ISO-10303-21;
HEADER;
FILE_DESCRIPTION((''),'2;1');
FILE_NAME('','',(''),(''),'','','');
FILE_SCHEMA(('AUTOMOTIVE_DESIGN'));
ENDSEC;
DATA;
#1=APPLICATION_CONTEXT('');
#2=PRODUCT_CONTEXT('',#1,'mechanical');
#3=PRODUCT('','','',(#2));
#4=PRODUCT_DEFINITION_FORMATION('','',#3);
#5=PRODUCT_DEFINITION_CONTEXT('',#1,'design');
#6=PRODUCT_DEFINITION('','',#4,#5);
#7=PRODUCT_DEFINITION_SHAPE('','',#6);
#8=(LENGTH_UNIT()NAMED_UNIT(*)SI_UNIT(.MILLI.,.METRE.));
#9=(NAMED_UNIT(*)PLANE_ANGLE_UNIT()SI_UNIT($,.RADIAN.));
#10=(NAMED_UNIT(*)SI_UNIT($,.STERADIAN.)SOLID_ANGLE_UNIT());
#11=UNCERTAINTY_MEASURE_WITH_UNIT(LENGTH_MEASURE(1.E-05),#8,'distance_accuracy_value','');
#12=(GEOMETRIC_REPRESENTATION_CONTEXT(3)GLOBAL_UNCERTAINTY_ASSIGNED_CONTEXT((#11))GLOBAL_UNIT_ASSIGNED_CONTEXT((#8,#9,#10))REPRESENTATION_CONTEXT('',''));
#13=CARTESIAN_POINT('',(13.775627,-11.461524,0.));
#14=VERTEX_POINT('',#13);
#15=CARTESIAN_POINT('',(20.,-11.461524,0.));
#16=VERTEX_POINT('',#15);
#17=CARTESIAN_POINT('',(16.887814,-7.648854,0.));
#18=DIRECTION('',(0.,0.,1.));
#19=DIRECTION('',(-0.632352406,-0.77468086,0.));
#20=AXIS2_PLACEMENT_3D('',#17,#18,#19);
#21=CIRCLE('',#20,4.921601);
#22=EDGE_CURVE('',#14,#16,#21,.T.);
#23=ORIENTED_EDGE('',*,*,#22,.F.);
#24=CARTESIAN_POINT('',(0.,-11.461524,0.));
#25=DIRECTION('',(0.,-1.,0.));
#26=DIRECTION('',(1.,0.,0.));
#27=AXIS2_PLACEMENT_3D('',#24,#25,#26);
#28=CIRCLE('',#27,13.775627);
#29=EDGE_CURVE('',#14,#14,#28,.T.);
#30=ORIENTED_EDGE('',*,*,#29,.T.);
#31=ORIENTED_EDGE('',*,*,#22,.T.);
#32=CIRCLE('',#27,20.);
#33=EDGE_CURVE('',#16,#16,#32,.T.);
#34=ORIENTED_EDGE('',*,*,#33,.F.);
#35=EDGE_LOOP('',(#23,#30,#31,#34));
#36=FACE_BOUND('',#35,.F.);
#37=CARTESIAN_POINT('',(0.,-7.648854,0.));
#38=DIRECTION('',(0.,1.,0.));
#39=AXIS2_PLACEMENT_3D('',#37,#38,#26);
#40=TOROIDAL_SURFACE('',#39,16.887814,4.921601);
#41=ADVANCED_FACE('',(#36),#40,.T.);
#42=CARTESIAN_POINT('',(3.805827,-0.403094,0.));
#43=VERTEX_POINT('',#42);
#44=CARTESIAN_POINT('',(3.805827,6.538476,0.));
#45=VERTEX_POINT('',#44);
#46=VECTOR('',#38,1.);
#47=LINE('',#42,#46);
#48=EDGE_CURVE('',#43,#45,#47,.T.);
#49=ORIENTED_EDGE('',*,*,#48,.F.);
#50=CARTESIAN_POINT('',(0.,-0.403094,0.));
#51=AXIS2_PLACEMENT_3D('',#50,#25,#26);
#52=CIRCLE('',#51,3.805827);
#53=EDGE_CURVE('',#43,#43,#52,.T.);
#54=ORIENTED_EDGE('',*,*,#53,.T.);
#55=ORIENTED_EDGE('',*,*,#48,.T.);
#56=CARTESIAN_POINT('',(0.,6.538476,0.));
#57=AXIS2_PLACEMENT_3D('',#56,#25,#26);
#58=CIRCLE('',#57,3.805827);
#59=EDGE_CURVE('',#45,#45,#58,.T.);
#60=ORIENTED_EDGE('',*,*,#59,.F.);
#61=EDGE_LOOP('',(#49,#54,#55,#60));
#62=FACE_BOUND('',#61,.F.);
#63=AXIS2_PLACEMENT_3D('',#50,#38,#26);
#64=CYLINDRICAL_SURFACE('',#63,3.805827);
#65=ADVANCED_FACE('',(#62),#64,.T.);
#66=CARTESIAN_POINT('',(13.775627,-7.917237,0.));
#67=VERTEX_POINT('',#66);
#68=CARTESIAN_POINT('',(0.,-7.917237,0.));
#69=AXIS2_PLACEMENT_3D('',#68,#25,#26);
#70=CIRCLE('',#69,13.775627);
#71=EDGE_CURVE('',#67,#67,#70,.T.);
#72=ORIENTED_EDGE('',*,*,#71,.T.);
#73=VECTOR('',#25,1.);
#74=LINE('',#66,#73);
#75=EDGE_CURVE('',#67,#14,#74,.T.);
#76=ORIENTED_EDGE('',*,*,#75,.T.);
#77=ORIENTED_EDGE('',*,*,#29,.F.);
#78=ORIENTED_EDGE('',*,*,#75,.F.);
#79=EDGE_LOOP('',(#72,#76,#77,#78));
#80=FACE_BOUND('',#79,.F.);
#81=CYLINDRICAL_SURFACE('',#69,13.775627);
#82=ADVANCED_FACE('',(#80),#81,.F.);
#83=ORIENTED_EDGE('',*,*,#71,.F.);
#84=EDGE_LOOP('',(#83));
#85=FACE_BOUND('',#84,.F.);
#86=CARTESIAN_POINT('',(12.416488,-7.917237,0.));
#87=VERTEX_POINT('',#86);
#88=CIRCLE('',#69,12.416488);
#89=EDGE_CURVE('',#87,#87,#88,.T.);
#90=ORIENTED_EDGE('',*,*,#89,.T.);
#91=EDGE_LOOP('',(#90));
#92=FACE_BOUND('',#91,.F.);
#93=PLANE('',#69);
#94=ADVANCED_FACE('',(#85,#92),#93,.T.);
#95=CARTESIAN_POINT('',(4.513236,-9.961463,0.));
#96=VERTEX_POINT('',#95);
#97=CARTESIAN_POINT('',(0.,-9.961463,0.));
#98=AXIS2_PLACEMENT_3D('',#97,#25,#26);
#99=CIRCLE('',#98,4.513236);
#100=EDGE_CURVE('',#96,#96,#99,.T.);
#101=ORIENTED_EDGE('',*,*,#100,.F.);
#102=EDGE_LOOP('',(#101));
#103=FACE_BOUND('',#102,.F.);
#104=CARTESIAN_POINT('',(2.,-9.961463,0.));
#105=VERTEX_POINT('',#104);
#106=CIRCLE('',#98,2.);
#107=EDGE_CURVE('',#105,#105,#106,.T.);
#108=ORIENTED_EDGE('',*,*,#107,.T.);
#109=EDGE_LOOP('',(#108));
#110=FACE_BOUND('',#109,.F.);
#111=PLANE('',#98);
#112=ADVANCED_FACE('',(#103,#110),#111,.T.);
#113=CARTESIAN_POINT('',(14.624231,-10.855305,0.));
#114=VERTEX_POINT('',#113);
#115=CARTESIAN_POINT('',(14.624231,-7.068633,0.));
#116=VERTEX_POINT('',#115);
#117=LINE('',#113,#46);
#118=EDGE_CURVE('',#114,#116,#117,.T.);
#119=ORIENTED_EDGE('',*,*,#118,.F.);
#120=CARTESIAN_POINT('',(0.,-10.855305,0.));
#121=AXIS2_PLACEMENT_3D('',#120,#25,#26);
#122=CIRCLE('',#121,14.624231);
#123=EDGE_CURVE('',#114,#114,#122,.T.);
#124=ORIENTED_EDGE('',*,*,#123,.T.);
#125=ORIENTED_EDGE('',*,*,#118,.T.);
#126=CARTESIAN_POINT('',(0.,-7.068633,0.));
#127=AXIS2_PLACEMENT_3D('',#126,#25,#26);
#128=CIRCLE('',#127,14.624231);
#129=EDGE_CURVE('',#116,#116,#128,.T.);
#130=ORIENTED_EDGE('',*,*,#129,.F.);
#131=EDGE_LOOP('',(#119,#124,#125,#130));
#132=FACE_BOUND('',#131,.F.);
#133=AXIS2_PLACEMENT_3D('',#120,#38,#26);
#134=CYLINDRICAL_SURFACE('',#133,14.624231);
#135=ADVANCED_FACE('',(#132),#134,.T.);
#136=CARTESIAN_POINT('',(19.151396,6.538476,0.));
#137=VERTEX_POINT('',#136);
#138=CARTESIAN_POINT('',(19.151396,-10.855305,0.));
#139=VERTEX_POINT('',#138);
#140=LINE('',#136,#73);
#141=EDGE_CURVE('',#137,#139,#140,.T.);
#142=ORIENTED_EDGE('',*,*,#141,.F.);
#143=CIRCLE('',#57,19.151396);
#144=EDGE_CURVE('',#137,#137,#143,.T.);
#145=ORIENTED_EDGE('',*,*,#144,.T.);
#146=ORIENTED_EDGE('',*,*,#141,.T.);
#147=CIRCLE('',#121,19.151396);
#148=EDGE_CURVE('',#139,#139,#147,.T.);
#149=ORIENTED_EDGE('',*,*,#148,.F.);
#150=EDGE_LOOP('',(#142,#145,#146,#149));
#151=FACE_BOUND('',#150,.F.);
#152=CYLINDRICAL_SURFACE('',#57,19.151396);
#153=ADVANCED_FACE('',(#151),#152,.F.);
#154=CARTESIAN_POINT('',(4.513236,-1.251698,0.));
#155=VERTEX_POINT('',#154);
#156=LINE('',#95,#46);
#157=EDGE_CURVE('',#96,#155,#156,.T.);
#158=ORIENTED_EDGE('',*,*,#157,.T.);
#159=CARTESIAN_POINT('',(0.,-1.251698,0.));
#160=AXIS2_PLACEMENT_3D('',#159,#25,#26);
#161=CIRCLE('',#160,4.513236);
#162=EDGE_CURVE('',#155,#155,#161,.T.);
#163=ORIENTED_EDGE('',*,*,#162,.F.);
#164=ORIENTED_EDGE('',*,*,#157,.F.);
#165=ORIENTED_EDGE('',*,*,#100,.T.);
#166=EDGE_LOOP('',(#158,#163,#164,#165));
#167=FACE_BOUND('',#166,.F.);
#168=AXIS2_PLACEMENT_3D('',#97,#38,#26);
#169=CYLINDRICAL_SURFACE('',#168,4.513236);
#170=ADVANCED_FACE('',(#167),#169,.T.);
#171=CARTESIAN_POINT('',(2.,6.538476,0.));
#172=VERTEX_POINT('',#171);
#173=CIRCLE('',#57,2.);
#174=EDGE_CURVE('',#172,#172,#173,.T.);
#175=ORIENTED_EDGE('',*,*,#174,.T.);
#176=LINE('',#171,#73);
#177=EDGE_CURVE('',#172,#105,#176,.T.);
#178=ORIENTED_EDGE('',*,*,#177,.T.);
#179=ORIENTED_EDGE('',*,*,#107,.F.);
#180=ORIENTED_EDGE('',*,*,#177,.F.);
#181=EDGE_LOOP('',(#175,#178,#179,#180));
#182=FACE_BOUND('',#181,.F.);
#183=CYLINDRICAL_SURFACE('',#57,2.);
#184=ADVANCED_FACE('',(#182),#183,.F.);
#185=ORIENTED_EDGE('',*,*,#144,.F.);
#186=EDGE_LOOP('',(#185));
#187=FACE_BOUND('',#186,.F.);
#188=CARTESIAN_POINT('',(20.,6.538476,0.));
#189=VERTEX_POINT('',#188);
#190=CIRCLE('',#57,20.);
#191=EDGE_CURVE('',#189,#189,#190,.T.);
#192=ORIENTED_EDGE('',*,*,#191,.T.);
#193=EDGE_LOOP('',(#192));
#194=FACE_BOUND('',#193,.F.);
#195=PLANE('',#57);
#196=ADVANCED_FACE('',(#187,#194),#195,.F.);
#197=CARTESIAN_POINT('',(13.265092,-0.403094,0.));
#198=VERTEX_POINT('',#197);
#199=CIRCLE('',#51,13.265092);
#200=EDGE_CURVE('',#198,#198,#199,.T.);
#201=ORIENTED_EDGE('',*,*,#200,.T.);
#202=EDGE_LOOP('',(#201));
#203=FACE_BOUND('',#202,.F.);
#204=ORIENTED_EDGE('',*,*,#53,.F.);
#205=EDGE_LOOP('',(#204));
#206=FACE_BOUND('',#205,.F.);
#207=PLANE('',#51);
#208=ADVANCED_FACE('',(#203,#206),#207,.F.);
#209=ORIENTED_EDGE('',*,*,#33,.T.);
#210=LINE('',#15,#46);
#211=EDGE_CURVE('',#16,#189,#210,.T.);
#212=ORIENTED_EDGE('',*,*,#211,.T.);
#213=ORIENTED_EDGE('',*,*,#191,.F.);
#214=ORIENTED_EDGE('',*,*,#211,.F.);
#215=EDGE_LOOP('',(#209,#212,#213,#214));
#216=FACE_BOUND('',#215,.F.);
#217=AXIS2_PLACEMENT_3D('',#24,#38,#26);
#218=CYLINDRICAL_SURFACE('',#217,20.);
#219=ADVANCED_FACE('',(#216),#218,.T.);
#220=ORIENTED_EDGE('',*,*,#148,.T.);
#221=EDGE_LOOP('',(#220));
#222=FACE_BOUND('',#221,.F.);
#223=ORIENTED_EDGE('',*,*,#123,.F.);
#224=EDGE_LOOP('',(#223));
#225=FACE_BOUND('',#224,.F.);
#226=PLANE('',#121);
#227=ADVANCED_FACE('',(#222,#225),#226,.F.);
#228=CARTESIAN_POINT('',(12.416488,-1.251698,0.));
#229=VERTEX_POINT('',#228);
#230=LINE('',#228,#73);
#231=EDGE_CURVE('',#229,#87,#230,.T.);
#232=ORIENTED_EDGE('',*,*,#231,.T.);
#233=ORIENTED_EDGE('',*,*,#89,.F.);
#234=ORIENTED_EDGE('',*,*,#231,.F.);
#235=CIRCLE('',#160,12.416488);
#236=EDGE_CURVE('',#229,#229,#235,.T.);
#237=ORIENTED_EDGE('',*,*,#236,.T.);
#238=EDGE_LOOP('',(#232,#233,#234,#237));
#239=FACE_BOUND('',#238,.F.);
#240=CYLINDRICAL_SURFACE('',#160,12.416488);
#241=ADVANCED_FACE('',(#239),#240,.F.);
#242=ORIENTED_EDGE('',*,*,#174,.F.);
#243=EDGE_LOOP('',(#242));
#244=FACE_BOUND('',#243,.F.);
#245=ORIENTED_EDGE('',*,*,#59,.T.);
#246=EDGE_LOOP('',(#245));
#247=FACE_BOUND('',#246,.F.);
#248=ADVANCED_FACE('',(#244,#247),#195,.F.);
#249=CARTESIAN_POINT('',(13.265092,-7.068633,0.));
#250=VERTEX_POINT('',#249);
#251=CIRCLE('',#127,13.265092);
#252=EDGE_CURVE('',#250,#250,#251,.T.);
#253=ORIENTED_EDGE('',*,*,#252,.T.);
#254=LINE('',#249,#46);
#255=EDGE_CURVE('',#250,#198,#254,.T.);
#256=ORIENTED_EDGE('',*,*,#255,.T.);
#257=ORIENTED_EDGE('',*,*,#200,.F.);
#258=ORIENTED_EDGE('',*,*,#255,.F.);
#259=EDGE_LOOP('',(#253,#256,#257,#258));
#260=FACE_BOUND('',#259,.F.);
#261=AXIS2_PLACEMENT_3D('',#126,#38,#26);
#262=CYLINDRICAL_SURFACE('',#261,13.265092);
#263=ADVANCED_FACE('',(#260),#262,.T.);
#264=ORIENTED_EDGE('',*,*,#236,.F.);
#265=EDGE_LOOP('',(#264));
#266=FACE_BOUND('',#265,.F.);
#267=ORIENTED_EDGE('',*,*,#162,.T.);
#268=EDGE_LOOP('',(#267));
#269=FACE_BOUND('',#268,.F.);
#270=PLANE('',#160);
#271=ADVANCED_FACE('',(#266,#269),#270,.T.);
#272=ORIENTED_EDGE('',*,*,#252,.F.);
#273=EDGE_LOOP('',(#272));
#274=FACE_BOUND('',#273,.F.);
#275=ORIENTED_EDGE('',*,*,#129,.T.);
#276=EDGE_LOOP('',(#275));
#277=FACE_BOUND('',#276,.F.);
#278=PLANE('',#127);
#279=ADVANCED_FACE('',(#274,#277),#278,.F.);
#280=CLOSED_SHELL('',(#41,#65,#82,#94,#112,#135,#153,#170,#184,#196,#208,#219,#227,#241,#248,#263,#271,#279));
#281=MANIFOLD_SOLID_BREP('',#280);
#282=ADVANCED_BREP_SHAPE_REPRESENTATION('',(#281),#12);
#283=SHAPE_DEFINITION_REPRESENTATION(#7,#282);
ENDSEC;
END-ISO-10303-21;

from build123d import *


with BuildPart() as f1:
    # F0 (on Top) → F1 (revolve)
    with BuildSketch(Plane.XY):
        with BuildLine():
            Line((3.805827, 6.538476), (2, 6.538476))
            Line((2, 6.538476), (2, -9.961463))
            Line((2, -9.961463), (4.513236, -9.961463))
            Line((4.513236, -9.961463), (4.513236, -1.251698))
            Line((4.513236, -1.251698), (12.416488, -1.251698))
            Line((12.416488, -1.251698), (12.416488, -7.917237))
            Line((12.416488, -7.917237), (13.775627, -7.917237))
            Line((13.775627, -7.917237), (13.775627, -11.461524))
            ThreePointArc((13.775627, -11.461524), (16.887813, -12.570455), (20, -11.461524))
            Line((20, -11.461524), (20, 6.538476))
            Line((20, 6.538476), (19.151396, 6.538476))
            Line((19.151396, 6.538476), (19.151396, -10.855305))
            Line((19.151396, -10.855305), (14.624231, -10.855305))
            Line((14.624231, -10.855305), (14.624231, -7.068633))
            Line((14.624231, -7.068633), (13.265092, -7.068633))
            Line((13.265092, -7.068633), (13.265092, -0.403094))
            Line((13.265092, -0.403094), (3.805827, -0.403094))
            Line((3.805827, -0.403094), (3.805827, 6.538476))
        make_face()
    revolve(axis=Axis((0, -1.518788, 0), (0, -1, 0)))


solid = f1.part
